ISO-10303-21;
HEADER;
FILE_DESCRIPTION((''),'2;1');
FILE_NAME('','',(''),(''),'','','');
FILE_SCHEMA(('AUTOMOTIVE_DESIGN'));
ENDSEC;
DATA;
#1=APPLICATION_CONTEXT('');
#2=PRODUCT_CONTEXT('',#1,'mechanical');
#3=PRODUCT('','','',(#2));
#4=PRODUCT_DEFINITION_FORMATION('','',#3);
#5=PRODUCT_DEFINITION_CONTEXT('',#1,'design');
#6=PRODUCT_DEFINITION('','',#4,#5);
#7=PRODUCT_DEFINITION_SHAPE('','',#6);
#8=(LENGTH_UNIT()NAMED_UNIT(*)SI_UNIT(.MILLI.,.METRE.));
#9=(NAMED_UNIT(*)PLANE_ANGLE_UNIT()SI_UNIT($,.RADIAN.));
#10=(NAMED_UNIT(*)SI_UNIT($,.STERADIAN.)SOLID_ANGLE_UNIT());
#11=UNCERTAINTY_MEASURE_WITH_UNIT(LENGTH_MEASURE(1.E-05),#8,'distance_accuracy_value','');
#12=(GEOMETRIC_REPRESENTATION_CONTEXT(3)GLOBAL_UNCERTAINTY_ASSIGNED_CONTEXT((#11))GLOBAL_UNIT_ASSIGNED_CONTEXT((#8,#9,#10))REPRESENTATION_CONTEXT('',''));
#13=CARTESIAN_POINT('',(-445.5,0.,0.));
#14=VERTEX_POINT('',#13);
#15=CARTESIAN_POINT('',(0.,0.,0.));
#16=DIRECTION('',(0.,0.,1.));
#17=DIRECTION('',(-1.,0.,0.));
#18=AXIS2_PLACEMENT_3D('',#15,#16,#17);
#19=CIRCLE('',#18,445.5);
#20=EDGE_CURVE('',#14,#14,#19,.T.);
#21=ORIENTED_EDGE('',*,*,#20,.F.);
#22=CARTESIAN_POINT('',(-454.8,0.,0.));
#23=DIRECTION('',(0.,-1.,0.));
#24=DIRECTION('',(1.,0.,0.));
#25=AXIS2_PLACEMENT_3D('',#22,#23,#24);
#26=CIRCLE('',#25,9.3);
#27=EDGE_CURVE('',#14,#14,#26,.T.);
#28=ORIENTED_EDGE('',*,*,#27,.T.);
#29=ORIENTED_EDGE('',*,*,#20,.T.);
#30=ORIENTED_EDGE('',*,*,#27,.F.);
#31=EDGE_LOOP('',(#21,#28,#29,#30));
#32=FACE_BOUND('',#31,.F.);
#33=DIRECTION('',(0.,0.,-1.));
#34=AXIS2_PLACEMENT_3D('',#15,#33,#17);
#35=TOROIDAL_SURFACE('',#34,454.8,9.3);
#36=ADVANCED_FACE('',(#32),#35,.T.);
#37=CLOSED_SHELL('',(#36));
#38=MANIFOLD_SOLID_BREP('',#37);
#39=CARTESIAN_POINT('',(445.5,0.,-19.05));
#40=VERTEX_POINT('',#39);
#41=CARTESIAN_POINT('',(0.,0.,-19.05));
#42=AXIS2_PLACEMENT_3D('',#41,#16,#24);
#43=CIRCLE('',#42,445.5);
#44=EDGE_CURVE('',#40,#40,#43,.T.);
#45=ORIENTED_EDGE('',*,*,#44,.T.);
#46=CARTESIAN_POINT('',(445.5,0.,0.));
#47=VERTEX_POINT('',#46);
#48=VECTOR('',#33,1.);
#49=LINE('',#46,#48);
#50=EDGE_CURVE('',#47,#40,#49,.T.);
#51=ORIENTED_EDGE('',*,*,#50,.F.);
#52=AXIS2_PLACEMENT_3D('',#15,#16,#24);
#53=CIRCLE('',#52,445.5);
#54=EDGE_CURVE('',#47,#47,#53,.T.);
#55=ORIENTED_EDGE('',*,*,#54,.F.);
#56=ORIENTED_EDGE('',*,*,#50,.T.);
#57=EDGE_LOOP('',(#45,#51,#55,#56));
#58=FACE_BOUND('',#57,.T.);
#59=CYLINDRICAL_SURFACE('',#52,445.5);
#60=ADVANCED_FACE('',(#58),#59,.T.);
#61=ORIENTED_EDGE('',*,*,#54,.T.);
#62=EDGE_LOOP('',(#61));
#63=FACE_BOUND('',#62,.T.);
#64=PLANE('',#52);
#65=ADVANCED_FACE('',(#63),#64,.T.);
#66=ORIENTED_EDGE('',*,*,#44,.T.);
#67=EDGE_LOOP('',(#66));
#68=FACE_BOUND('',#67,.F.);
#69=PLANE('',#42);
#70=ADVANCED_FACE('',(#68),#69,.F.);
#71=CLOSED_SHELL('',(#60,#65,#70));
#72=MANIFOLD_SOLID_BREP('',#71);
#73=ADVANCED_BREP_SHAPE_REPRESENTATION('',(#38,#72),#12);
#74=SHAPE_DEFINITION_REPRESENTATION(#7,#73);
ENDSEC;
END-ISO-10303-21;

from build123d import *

# Parameters (mm, degrees)
F1_R     = 445.5
F3_DEPTH = 19.05
F4_R     = 9.3


with BuildPart() as f3:
    # F1 (on face) → F3 (new body)
    with BuildSketch(Plane.XY):
        Circle(F1_R)
    extrude(amount=-F3_DEPTH)


with BuildPart() as f5:
    # F4 (on Front) → F5 (revolve)
    with BuildSketch(Plane.XZ):
        with Locations((-454.8, 0)):
            Circle(F4_R)
    revolve(axis=Axis((0, 0, 111.128785), (0, 0, 1)))


solid = Compound([f3.part, f5.part])
